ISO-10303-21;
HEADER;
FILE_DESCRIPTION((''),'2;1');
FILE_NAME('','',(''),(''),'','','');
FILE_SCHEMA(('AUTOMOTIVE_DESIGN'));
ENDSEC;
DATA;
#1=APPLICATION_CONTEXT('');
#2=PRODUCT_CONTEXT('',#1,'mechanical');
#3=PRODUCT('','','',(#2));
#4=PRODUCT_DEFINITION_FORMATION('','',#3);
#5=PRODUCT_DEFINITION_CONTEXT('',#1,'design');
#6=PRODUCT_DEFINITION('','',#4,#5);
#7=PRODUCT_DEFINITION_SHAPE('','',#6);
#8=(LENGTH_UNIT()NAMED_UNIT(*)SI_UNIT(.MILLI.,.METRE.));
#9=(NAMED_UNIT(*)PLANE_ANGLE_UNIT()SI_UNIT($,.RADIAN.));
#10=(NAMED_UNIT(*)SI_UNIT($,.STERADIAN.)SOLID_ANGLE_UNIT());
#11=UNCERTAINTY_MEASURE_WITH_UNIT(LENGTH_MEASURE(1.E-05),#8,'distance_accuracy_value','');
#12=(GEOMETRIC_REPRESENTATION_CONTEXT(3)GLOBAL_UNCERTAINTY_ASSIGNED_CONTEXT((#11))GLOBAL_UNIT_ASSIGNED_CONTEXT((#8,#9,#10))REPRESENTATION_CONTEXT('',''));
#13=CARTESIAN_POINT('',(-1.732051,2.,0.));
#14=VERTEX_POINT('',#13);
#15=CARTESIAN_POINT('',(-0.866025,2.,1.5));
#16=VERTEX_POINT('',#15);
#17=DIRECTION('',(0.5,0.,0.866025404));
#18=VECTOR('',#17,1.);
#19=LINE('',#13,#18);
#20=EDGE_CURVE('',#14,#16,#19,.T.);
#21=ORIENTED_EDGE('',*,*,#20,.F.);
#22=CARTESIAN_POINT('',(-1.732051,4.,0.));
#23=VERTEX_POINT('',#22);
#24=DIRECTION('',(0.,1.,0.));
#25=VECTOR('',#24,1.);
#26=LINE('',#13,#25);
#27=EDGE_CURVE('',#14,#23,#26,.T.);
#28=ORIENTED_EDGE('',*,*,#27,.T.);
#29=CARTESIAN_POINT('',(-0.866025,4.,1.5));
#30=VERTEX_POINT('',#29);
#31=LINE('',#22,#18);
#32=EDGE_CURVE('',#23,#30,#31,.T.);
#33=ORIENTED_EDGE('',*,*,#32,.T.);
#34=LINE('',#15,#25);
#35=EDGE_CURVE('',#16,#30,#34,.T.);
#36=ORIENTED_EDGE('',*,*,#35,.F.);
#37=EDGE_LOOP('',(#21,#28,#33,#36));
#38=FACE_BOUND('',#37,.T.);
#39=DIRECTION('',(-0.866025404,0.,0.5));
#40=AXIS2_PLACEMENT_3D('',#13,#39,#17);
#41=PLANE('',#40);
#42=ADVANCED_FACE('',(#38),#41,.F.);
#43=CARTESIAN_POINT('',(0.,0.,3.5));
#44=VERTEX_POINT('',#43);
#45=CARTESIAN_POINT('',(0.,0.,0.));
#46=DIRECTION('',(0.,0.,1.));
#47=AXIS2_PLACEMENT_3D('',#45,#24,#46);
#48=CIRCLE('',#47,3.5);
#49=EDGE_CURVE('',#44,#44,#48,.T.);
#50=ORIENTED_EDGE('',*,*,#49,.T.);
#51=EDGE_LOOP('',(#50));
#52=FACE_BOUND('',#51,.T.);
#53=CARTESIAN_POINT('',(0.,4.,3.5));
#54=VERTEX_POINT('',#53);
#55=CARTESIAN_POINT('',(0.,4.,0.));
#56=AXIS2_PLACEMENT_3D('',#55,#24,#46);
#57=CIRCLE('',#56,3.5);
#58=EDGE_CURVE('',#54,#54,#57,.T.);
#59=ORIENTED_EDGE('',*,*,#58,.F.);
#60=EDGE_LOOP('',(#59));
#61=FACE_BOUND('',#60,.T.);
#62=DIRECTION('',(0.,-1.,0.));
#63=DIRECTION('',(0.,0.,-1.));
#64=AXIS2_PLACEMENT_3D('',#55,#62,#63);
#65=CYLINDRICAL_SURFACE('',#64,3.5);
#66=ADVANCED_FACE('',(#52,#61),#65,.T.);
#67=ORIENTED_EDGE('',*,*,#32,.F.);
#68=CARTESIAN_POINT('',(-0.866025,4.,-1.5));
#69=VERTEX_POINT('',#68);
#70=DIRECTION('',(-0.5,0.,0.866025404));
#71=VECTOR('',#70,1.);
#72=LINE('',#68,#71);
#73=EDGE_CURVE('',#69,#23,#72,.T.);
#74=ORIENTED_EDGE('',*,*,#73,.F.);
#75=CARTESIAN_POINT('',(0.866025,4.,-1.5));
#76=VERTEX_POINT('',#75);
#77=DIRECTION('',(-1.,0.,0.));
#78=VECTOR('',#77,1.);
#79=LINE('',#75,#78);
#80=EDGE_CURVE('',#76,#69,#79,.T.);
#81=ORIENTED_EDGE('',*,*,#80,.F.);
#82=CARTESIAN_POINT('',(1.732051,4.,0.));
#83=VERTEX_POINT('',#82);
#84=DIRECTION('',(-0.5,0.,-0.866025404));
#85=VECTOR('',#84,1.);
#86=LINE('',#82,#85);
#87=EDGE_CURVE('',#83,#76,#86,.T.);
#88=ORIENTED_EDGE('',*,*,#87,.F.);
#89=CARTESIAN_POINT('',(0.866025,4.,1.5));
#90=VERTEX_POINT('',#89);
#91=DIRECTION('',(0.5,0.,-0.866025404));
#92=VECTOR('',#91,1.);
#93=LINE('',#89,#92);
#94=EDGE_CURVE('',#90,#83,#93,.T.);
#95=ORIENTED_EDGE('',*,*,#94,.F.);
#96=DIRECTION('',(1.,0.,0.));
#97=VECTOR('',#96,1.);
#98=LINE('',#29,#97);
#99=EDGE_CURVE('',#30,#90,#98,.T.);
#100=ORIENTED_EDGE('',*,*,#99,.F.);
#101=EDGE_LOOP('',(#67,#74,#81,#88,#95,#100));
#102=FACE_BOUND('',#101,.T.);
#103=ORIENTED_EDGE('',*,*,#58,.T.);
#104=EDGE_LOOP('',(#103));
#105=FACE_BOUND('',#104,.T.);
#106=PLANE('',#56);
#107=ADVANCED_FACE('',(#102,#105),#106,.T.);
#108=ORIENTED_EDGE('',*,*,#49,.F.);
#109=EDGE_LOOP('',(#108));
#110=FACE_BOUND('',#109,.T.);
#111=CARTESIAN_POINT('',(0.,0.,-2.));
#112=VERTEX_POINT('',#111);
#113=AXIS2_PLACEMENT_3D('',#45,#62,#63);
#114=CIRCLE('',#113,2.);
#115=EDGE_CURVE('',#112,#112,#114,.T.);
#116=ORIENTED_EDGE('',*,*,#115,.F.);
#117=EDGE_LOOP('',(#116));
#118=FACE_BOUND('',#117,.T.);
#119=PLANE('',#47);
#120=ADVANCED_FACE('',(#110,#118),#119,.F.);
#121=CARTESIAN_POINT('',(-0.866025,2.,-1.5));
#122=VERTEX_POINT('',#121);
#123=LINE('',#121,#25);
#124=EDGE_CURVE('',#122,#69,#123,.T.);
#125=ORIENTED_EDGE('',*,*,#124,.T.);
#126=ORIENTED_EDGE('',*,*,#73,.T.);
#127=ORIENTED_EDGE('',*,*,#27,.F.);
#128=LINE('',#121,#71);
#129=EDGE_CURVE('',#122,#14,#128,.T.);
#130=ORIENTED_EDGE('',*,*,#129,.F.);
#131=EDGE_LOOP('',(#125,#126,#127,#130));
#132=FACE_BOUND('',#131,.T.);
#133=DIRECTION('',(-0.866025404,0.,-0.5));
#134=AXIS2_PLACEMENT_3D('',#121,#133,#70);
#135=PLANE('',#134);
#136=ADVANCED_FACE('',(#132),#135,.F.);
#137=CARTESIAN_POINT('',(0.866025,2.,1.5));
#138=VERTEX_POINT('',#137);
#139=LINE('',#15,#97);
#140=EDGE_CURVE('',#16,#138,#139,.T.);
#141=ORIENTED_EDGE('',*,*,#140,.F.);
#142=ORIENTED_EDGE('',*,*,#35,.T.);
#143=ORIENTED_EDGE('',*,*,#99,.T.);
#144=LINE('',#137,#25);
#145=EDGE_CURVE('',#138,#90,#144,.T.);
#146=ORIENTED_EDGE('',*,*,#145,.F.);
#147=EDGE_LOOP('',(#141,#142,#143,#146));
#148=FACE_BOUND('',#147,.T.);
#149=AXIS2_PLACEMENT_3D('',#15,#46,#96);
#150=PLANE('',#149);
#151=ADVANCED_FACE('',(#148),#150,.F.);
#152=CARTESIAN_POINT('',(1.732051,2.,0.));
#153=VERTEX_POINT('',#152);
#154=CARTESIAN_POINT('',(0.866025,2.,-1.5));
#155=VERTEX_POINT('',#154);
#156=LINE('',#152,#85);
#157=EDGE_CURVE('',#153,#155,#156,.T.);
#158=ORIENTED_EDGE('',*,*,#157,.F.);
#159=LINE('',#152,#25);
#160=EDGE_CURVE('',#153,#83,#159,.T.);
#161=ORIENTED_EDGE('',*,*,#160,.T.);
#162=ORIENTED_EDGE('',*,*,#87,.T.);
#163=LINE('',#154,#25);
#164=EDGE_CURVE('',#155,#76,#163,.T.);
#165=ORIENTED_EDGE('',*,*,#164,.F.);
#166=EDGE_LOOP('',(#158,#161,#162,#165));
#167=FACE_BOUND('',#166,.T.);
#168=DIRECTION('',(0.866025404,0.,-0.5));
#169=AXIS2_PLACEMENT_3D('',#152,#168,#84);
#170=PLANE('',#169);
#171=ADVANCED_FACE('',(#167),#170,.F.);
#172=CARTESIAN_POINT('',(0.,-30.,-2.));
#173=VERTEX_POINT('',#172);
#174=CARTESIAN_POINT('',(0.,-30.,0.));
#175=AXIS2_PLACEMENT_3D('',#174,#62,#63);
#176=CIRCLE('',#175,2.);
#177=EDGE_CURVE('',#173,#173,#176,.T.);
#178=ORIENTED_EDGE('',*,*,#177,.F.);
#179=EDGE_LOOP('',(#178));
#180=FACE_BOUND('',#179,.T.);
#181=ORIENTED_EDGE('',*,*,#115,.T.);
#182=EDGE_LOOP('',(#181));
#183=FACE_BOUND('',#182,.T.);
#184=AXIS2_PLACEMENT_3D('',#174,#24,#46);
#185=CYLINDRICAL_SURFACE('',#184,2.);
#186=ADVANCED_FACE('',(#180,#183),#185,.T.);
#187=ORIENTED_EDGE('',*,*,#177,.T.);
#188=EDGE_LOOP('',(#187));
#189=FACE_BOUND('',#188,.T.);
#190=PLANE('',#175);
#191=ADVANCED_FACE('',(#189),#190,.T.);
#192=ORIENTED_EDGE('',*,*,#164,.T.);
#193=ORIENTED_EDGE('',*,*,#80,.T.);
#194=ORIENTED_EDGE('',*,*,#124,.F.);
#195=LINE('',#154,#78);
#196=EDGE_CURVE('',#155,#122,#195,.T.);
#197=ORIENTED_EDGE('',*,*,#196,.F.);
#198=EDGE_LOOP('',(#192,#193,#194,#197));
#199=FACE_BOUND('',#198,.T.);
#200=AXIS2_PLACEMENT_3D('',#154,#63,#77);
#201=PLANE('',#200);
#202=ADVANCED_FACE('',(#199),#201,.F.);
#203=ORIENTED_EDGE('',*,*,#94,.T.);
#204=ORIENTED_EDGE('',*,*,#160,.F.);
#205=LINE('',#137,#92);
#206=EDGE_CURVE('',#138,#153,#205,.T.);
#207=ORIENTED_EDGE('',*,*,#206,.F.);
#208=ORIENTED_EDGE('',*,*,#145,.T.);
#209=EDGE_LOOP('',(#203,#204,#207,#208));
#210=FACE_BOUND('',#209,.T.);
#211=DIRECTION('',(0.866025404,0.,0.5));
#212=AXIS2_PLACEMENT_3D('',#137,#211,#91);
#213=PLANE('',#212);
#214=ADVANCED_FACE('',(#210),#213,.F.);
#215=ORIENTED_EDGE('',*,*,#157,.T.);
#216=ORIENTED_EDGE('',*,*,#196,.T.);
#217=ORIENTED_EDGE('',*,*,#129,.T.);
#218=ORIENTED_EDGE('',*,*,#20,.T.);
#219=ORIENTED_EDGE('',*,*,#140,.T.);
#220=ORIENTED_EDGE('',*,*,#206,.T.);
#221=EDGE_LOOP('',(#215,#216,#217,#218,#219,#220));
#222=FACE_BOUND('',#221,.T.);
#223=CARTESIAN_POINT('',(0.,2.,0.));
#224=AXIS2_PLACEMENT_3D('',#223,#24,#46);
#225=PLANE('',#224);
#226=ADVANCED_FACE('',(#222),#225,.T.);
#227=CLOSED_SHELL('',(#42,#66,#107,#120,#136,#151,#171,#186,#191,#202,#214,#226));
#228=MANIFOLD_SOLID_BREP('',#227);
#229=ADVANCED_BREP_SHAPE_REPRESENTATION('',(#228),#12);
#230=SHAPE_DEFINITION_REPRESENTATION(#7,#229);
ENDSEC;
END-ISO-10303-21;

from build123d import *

# Parameters (mm, degrees)
SKETCH_1_R            = 3.5
EXTRUDE_246_DEPTH     = 4
CUT_EXTRUDE_376_DEPTH = 2
SKETCH_3_R            = 2
EXTRUDE_477_DEPTH     = 30


with BuildPart() as part:
    # 草图1 → Extrude 246 (new body)
    with BuildSketch(Plane(origin=(0, 0, 0), x_dir=(1, 0, 0), z_dir=(0, 1, 0))):
        Circle(SKETCH_1_R)
    extrude(amount=EXTRUDE_246_DEPTH)

    # 草图2 → Cut-Extrude 376 (cut)
    with BuildSketch(Plane(origin=(0, 4, 0), x_dir=(1, 0, 0), z_dir=(0, 1, 0))):
        Polygon((1.732050808, 0), (0.866025404, 1.5), (-0.866025404, 1.5), (-1.732050808, 0), (-0.866025404, -1.5), (0.866025404, -1.5), align=None)
    extrude(amount=-CUT_EXTRUDE_376_DEPTH, mode=Mode.SUBTRACT)

    # 草图3 → Extrude 477 (add)
    with BuildSketch(Plane.XZ):
        Circle(SKETCH_3_R)
    extrude(amount=EXTRUDE_477_DEPTH)


solid = part.part
